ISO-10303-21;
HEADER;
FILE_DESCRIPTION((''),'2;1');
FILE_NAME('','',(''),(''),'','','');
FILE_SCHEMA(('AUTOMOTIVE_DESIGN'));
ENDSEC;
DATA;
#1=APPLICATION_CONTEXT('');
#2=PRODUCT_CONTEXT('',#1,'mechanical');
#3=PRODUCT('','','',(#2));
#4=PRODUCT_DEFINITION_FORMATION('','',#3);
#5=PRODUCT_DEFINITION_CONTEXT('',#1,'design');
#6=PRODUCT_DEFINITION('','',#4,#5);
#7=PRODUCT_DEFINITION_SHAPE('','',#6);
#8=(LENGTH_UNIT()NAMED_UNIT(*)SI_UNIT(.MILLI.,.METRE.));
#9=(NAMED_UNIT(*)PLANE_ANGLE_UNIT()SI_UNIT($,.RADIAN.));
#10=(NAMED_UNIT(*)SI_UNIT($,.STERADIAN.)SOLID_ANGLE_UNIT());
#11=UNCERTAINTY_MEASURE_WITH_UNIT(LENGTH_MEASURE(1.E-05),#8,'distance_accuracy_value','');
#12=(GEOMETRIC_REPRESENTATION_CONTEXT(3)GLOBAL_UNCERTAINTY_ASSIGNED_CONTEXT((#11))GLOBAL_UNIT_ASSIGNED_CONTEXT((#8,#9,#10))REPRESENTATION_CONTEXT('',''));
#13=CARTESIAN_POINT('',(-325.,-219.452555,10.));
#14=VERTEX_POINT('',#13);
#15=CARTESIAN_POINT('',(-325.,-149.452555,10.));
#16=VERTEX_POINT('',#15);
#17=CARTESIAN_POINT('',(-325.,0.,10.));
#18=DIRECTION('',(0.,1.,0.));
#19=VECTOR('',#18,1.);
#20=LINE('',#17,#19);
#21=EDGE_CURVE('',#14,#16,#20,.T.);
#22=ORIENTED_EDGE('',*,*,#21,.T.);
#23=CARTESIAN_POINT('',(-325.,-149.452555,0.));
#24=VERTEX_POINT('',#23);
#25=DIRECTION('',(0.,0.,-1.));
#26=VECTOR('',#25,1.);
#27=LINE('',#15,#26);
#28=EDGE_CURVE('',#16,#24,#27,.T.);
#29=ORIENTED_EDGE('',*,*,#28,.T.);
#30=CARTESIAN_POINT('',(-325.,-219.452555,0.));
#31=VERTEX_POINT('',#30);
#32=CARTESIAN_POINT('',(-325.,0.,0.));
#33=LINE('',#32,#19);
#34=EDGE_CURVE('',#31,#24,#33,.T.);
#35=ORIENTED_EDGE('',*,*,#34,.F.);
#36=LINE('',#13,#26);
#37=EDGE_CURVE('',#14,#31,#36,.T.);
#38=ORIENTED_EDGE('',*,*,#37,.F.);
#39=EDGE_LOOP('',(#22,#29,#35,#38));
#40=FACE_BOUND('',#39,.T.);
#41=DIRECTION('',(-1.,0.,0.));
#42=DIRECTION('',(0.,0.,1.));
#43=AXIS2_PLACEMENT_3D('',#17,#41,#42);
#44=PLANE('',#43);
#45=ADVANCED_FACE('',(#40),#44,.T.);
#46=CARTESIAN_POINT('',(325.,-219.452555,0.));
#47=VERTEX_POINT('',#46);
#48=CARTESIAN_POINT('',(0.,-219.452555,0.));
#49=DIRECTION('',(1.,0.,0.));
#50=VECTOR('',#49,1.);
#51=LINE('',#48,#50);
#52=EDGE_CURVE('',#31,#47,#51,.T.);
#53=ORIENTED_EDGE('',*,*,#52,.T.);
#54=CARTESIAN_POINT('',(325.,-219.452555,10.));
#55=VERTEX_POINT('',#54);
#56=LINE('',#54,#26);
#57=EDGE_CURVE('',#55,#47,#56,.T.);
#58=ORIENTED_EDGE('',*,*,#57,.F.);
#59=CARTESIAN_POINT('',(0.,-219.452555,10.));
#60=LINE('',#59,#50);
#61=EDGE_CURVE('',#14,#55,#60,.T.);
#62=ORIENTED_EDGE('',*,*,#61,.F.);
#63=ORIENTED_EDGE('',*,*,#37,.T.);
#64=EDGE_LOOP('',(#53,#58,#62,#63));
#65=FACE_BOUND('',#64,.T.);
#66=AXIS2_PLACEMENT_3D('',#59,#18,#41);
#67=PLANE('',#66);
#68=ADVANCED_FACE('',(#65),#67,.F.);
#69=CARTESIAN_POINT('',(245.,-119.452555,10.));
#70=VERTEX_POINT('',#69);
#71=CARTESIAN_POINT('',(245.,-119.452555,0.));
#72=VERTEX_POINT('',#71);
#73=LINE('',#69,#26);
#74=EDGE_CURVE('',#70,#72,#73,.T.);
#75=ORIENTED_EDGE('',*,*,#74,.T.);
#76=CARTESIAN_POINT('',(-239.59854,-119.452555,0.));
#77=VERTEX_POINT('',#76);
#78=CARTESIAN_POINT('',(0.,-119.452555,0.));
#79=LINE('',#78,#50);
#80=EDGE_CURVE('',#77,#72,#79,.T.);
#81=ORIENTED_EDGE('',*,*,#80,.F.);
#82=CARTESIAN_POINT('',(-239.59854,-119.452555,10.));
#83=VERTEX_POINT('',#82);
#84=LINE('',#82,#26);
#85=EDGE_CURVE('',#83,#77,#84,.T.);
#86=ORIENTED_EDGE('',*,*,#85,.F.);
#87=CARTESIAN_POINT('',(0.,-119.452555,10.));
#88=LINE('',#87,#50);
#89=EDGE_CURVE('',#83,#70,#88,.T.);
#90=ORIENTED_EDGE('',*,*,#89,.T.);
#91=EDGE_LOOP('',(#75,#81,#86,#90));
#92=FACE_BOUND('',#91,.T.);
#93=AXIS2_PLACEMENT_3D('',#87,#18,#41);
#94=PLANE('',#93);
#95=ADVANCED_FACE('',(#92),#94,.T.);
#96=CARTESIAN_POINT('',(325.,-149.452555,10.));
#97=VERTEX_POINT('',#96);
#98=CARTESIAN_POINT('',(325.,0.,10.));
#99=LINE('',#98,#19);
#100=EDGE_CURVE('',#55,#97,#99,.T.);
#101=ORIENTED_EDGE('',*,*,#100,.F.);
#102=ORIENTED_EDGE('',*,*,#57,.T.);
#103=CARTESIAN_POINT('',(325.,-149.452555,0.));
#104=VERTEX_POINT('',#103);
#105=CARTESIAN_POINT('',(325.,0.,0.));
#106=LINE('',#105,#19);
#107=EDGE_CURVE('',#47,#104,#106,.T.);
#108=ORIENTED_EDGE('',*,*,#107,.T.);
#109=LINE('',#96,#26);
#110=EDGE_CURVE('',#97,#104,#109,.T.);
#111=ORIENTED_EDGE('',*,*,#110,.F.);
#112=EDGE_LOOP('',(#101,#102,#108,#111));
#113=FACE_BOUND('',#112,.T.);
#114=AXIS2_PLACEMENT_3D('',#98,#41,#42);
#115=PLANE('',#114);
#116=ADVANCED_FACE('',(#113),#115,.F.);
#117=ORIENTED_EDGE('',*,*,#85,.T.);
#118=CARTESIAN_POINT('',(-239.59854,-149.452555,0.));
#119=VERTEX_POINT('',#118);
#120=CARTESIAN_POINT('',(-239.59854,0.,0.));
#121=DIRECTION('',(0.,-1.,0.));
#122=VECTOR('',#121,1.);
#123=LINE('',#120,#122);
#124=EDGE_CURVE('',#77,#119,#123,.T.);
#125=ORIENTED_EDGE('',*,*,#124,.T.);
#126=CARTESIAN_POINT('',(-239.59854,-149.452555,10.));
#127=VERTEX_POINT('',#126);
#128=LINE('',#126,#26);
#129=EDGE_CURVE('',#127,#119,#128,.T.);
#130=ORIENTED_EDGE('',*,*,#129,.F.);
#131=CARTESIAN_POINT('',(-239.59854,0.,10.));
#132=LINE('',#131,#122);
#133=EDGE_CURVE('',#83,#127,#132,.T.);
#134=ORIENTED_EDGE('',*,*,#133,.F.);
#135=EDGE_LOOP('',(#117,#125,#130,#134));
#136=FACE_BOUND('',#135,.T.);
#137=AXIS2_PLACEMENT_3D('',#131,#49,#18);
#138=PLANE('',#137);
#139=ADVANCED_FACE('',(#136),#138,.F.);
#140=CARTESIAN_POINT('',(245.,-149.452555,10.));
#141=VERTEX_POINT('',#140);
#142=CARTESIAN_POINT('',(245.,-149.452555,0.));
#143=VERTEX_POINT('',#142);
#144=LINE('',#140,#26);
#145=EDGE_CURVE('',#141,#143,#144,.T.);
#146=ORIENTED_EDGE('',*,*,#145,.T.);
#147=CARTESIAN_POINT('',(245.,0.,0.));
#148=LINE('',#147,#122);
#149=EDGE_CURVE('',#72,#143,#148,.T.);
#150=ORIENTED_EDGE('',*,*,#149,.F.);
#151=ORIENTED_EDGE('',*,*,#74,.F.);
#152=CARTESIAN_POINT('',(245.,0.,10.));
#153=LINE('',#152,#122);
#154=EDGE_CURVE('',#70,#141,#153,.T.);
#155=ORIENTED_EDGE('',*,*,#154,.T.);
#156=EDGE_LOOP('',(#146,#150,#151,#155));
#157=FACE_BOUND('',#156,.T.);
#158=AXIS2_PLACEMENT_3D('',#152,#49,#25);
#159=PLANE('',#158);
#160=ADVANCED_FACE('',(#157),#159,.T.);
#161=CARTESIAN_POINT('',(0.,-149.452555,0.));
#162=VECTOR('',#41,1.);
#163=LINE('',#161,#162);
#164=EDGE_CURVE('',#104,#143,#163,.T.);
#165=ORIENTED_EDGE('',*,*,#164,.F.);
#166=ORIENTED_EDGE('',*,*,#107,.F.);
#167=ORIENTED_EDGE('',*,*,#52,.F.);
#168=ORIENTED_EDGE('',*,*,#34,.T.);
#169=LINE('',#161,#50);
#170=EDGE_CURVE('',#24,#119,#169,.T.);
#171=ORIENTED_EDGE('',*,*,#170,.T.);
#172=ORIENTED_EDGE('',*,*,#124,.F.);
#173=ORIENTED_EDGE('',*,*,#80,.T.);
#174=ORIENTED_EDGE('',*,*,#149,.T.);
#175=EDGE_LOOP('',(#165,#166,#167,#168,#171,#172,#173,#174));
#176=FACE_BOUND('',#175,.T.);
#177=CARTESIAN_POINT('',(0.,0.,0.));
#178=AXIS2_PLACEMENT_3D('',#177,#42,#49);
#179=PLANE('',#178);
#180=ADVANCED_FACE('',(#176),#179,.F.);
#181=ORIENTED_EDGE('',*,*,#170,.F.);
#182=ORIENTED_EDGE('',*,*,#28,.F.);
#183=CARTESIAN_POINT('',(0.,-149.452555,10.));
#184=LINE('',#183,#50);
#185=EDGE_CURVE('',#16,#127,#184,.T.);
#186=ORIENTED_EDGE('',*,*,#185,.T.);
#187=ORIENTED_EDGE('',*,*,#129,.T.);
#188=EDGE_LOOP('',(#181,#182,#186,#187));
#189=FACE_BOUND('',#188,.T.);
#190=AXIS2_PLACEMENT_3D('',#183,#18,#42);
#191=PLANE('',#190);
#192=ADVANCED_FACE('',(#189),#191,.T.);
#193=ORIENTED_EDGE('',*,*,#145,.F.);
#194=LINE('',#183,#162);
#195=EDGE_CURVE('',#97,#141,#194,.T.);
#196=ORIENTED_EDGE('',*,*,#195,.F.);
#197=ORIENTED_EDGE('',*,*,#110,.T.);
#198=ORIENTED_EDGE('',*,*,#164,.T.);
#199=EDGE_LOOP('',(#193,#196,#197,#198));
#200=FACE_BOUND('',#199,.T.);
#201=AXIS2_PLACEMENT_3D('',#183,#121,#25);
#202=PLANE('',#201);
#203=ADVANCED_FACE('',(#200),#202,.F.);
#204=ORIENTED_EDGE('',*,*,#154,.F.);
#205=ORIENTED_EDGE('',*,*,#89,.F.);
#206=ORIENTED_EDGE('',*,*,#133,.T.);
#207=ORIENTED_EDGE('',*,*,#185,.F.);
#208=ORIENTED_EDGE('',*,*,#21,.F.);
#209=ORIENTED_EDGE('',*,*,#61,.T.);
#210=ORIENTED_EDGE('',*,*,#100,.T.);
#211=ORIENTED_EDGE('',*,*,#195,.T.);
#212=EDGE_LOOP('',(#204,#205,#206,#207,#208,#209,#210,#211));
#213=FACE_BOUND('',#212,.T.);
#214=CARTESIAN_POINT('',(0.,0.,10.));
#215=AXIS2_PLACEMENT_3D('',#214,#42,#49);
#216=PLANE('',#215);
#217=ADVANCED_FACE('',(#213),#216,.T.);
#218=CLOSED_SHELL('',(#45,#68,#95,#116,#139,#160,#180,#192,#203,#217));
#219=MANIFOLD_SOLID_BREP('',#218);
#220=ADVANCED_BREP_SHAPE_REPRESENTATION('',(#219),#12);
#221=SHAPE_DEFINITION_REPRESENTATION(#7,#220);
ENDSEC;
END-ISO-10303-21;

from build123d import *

# Parameters (mm, degrees)
BOSS_EXTRU_1_DEPTH = 10


with BuildPart() as part:
    # Esquisse1 → Boss.-Extru.1 (new body)
    with BuildSketch(Plane.XY):
        Polygon((-325, -149.452554745), (-325, -219.452554745), (325, -219.452554745), (325, -149.452554745), (245, -149.452554745), (245, -119.452554745), (-239.598540146, -119.452554745), (-239.598540146, -149.452554745), align=None)
    extrude(amount=BOSS_EXTRU_1_DEPTH)


solid = part.part
